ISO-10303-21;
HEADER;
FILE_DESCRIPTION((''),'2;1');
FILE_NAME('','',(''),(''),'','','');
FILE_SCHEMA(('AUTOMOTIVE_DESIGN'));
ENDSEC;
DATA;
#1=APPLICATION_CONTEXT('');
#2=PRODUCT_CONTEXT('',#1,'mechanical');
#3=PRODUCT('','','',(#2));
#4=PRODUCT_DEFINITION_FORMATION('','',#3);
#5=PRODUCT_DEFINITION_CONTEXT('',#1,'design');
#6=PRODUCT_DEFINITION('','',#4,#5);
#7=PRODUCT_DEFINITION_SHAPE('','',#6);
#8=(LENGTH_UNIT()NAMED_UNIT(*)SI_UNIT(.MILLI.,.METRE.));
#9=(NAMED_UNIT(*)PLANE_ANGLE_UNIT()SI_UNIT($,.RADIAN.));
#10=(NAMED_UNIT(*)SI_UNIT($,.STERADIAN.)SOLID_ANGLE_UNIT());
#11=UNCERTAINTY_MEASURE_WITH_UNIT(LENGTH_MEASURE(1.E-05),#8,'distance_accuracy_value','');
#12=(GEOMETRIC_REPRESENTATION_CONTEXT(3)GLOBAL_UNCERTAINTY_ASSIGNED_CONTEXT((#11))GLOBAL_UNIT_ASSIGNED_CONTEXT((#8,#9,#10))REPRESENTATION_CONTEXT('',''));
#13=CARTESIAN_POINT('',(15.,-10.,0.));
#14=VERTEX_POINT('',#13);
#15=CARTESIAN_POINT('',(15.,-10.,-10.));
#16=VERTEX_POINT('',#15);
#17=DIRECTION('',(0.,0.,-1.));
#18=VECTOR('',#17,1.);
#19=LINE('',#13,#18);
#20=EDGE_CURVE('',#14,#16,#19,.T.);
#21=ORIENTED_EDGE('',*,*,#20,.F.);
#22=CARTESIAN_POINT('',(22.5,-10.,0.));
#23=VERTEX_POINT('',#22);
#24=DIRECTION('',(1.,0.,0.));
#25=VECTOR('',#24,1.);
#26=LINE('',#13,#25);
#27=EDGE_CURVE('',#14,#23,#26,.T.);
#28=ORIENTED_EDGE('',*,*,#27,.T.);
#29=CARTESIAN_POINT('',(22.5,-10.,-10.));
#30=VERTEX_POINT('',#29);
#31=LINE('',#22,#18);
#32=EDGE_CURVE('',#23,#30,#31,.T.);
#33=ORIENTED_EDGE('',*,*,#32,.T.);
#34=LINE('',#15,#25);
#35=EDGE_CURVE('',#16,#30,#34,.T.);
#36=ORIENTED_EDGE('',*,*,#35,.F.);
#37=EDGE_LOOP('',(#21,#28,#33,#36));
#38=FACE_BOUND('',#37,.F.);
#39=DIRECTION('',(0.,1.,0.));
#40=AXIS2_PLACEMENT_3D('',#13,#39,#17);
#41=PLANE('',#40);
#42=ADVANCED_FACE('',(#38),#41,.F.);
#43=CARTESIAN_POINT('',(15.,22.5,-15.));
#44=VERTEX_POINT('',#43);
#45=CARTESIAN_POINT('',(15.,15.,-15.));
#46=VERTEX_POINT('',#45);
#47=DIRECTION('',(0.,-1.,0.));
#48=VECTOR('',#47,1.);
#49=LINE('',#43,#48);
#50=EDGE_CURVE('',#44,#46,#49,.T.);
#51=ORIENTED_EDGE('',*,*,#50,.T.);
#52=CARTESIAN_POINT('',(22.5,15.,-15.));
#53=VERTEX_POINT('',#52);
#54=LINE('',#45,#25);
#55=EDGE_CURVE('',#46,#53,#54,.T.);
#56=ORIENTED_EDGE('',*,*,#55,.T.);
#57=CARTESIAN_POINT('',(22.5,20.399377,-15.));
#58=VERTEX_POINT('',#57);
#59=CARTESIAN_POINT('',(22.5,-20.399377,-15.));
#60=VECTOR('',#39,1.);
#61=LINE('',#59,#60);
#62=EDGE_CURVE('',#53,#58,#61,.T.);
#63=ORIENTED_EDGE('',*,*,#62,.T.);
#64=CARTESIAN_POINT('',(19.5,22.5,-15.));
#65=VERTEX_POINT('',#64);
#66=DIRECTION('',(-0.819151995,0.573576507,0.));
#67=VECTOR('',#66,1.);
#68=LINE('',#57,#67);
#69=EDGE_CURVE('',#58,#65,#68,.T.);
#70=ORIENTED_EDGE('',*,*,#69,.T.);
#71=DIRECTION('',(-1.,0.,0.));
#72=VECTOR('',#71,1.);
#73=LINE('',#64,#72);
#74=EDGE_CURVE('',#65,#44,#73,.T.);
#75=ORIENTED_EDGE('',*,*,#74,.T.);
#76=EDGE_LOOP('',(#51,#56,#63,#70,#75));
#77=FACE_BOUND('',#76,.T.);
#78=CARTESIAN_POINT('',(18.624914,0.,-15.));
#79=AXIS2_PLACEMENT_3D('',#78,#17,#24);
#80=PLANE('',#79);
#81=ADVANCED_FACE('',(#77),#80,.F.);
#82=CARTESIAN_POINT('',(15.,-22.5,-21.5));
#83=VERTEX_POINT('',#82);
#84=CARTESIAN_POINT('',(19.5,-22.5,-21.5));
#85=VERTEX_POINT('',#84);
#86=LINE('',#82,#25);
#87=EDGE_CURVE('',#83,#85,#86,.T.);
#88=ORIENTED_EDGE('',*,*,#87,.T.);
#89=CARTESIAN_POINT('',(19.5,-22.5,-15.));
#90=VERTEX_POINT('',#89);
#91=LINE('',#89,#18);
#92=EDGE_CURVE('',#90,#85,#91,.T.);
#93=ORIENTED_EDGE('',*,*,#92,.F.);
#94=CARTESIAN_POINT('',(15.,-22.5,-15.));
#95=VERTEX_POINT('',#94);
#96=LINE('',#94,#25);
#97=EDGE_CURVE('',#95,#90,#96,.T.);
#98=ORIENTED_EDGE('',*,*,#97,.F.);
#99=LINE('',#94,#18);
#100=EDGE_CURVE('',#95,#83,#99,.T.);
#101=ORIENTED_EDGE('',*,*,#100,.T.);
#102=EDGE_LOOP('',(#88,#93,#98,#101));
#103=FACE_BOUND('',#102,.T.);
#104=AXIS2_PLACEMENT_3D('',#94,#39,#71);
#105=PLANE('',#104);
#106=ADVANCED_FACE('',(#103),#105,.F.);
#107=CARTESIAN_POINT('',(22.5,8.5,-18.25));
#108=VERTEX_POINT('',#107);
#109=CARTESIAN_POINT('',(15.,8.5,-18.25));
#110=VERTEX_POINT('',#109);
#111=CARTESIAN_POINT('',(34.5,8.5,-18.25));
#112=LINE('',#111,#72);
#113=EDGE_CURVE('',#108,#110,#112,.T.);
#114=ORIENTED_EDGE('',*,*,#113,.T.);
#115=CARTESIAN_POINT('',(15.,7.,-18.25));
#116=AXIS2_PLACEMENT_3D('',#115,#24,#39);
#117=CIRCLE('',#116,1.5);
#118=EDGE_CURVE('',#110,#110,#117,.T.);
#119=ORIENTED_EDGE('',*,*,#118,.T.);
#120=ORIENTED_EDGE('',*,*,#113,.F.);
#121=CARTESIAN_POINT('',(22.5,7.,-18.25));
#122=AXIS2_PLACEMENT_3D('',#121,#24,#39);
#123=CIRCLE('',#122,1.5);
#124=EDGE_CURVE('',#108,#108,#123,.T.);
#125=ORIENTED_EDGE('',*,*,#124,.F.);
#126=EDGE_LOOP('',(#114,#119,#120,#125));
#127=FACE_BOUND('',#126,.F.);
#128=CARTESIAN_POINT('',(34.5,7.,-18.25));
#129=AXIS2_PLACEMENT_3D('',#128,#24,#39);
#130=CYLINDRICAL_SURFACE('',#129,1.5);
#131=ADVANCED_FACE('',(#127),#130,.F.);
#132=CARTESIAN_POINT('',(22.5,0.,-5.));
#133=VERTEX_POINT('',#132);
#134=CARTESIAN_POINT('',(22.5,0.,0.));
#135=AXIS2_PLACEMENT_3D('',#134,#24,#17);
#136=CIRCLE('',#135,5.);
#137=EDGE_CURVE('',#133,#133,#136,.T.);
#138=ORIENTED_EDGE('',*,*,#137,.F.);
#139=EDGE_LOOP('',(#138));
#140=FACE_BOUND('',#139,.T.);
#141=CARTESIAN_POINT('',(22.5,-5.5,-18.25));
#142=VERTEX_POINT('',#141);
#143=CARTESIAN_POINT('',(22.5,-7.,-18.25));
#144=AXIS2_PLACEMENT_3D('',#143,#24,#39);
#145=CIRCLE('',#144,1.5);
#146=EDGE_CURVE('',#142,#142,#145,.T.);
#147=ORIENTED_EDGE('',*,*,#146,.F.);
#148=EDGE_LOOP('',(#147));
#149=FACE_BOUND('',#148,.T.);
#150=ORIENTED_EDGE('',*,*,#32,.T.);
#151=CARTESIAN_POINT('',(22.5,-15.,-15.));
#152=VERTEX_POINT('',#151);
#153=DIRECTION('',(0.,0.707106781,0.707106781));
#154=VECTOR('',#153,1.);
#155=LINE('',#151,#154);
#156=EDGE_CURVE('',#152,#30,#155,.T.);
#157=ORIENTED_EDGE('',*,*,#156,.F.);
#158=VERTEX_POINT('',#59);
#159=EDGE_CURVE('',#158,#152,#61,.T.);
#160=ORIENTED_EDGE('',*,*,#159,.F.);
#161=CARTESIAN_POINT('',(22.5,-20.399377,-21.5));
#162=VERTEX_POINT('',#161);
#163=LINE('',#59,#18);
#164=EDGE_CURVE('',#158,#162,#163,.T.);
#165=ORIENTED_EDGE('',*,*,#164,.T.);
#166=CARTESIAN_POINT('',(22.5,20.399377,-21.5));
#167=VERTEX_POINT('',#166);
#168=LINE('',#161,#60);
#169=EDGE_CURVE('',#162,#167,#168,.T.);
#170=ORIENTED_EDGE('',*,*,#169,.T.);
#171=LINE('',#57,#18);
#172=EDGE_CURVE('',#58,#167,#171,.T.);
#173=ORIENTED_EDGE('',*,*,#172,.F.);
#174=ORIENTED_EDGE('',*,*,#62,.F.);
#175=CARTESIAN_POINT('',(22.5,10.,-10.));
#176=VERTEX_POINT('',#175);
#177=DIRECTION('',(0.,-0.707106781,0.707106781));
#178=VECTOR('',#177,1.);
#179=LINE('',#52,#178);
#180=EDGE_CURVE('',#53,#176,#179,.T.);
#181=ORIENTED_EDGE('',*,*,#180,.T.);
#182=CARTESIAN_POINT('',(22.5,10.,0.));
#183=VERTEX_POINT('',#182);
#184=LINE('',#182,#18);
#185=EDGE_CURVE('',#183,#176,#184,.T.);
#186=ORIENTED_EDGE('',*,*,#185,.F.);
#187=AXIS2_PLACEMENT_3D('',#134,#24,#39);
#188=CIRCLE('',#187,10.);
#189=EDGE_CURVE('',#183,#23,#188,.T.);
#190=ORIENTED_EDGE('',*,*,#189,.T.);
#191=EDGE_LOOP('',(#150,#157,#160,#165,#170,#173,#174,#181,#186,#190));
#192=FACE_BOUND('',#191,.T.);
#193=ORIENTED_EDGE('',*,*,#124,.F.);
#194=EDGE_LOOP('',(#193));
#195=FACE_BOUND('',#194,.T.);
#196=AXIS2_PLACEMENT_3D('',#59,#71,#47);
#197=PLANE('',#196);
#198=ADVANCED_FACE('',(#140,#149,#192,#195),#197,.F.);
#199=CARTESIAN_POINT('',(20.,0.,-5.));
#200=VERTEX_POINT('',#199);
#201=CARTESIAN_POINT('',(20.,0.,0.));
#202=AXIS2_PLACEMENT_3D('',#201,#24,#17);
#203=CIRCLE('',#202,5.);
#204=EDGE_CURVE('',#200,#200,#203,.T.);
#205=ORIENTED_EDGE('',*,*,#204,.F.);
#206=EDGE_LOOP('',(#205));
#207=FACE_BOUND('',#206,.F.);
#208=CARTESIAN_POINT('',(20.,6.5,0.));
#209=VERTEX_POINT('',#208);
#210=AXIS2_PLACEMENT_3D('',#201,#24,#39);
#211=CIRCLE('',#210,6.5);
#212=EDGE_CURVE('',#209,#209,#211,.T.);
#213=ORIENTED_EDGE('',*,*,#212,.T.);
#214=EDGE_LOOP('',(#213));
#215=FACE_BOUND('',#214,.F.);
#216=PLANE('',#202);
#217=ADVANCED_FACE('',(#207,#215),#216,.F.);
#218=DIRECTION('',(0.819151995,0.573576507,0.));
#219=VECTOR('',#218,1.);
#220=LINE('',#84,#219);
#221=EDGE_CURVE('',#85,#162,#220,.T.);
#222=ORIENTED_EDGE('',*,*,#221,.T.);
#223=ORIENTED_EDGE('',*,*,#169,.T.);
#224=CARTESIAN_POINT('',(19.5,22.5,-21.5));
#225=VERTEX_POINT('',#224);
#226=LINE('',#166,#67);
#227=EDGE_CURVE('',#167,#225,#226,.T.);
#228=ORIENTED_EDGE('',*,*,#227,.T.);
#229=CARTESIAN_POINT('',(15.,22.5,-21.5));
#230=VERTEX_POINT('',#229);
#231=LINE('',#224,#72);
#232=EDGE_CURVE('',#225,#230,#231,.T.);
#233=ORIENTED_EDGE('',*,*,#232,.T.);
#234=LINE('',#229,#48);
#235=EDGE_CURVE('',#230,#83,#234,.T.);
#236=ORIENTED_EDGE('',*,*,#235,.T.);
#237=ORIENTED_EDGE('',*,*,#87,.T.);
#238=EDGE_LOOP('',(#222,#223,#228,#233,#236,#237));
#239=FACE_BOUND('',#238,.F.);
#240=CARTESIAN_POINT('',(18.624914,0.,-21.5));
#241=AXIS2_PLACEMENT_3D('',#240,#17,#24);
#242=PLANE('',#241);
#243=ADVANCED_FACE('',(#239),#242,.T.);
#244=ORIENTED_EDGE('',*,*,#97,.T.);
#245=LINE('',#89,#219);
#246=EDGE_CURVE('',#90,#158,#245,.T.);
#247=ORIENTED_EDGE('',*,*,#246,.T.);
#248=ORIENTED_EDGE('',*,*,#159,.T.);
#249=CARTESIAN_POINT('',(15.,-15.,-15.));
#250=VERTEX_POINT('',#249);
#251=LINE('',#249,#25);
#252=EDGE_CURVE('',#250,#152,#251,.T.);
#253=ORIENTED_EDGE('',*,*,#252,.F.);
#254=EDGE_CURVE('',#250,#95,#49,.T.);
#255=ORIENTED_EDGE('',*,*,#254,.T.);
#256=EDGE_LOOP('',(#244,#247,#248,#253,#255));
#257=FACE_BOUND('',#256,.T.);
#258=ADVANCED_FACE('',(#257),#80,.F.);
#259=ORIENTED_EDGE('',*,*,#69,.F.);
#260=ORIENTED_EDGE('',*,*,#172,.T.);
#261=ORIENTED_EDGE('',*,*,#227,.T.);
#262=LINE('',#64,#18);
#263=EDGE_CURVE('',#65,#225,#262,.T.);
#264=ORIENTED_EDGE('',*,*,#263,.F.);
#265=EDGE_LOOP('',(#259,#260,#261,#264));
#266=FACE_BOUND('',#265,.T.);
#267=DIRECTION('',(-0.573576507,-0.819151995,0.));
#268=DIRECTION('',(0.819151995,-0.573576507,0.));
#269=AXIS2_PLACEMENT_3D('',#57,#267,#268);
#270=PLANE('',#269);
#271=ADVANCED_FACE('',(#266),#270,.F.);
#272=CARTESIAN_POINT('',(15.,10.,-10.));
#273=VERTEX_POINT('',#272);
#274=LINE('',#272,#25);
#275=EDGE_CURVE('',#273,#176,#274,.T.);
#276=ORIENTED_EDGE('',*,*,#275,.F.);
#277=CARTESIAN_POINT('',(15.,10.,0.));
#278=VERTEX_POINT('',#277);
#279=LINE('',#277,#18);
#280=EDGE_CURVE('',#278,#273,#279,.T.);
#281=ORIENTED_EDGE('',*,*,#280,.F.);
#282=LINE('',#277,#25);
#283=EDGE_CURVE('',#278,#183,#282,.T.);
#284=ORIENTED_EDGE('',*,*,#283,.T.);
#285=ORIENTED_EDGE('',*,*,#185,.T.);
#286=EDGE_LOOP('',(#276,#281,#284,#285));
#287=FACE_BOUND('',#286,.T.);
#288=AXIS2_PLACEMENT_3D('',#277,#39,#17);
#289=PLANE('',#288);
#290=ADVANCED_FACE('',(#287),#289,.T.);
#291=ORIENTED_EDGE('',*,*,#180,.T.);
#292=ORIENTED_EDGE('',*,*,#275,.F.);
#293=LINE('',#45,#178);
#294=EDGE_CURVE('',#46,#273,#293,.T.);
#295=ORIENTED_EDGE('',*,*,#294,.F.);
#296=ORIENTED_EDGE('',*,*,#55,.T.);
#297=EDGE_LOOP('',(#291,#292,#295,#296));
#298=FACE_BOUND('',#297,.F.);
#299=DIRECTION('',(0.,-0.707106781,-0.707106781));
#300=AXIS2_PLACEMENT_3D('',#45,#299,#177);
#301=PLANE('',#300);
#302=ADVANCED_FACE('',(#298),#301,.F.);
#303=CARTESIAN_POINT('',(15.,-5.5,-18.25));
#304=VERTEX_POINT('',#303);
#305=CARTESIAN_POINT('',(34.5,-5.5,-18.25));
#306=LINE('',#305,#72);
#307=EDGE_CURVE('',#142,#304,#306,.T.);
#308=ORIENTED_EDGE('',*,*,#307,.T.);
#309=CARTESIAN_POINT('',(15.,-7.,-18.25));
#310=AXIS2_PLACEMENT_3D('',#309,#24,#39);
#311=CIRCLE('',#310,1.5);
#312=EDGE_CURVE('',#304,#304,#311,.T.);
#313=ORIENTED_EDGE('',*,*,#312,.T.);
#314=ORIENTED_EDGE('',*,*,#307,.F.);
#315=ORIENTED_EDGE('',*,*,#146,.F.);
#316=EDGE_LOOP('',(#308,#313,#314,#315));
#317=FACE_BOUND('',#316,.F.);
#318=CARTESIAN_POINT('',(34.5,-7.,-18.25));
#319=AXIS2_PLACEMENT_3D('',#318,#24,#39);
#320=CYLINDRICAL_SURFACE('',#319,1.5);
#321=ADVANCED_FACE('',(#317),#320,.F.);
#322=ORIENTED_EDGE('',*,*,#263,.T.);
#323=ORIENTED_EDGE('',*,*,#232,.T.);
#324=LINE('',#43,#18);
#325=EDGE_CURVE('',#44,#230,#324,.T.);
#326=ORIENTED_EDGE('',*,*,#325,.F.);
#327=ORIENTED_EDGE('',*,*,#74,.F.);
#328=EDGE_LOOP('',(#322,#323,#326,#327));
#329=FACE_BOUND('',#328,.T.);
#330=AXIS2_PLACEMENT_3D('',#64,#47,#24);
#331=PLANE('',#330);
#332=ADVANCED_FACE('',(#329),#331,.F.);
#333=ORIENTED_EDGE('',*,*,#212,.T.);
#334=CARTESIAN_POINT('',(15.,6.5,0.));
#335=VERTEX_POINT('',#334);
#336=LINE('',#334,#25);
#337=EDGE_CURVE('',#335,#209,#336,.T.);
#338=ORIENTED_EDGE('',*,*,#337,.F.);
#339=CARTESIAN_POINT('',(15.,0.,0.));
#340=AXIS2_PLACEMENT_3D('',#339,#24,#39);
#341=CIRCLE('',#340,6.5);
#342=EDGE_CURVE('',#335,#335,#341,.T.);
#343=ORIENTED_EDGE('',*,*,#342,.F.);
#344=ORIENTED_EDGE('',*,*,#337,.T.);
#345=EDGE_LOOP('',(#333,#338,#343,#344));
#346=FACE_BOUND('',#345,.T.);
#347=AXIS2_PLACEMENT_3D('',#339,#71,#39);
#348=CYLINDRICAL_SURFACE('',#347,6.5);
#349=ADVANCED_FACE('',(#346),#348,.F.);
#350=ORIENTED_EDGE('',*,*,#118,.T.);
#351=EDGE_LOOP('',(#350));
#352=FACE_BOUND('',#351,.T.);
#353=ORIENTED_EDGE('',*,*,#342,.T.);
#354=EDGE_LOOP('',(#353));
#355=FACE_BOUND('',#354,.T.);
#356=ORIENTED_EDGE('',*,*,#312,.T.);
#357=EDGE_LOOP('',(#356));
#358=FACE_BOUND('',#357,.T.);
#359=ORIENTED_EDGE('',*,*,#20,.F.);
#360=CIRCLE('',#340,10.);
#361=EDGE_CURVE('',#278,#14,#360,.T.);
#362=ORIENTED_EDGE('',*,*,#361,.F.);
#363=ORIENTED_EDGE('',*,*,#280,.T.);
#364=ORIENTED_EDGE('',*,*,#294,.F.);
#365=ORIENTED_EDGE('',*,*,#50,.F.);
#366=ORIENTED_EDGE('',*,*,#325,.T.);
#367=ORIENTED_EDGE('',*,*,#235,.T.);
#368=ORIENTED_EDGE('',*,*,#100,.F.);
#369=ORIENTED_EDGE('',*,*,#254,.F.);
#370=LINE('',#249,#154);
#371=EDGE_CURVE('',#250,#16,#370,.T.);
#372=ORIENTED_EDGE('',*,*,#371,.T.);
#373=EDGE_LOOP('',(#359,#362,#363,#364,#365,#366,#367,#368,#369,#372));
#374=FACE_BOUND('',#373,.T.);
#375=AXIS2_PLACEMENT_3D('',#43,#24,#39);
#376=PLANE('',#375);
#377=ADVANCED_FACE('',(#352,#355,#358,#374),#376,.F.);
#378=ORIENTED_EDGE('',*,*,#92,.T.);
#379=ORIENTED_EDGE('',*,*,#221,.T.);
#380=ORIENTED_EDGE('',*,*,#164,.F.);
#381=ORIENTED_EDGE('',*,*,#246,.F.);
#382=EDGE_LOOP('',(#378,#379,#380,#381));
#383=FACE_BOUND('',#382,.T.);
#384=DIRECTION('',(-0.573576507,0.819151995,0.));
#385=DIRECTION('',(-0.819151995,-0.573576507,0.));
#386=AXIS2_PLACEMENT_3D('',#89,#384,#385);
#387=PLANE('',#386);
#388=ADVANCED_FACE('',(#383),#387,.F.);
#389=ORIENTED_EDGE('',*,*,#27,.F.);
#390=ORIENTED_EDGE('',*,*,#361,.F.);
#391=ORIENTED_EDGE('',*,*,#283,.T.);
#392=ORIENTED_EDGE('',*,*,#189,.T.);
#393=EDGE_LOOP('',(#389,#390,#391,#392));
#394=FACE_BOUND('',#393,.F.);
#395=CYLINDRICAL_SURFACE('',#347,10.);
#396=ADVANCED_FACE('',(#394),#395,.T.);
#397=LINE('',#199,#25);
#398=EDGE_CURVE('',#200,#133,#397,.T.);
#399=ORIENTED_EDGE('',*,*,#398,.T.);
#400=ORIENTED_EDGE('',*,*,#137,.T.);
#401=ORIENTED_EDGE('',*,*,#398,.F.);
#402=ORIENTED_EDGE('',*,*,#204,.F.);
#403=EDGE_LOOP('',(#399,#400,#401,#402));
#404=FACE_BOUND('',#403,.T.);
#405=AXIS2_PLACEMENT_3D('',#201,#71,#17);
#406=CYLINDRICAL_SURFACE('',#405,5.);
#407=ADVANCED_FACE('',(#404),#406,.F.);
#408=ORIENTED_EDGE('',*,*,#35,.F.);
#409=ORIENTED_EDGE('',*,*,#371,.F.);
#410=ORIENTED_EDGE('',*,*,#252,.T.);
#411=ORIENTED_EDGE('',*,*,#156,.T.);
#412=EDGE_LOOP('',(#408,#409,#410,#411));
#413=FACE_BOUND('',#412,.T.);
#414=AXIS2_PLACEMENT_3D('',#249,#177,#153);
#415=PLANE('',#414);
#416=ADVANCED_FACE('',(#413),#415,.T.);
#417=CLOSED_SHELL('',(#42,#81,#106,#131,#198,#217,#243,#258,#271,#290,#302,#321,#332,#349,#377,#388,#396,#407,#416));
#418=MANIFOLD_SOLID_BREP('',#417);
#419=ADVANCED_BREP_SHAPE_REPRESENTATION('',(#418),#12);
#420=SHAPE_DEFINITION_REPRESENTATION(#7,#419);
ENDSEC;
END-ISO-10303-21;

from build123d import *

# Parameters (mm, degrees)
SKETCH_R         = 6.5
EXTRUDE_DEPTH    = 7.5
TUBE002_R        = 6.5
TUBE002_R_2      = 5
TUBE002_DEPTH    = 2.5
SKETCH023_R      = 1.5
EXTRUDE015_DEPTH = 100
EXTRUDE008_DEPTH = 6.5


with BuildPart() as extrude_body:
    # Sketch (on Tube) → Extrude (new body)
    with BuildSketch(Plane.YZ):
        with BuildLine():
            ThreePointArc((10, 0), (0, 10), (-10, 0))
            Line((-10, 0), (-10, -10))
            Line((-15, -15), (-10, -10))
            Line((-15, -15), (15, -15))
            Line((15, -15), (10, -10))
            Line((10, 0), (10, -10))
        make_face()
        Circle(SKETCH_R, mode=Mode.SUBTRACT)
    extrude(amount=EXTRUDE_DEPTH)


with BuildPart() as extrude_body_1:
    # Extrude placement: moved
    add(extrude_body.part.moved(Location((15, 0, 0))))


with BuildPart() as fusion002:
    # Tube002 → Tube002 (new body)
    with BuildSketch(Plane(origin=(20, 0, 0), x_dir=(0, 0, -1), z_dir=(1, 0, 0))):
        Circle(TUBE002_R)
        Circle(TUBE002_R_2, mode=Mode.SUBTRACT)
    extrude(amount=TUBE002_DEPTH)

    # Fusion002: union Extrude body
    add(extrude_body_1.part)


with BuildPart() as extrude015:
    # Sketch023 → Extrude015 (new body)
    with BuildSketch(Plane.YZ.offset(34.5)):
        with Locations((-7, -18.25)):
            Circle(SKETCH023_R)
        with Locations((7, -18.25)):
            Circle(SKETCH023_R)
    extrude(amount=-EXTRUDE015_DEPTH)


with BuildPart() as extrude008:
    # Sketch015 (on Face7 of Fusion001) → Extrude008 (new body)
    with BuildSketch(Plane(origin=(0, 0, -15), x_dir=(1, 0, 0), z_dir=(0, 0, -1))):
        Polygon((-22.5, 20.399377), (-22.5, -20.399377), (-19.5, -22.5), (-15, -22.5), (-15, 22.5), (-19.5, 22.5), align=None)
    extrude(amount=EXTRUDE008_DEPTH)


with BuildPart() as fusion006:
    # Part__Mirroring: instance of Extrude008
    add(extrude008.part.mirror(Plane(origin=(0, 0, 0), x_dir=(0, -1, 0), z_dir=(1, 0, 0))))

    # Cut004: cut Extrude015
    add(extrude015.part, mode=Mode.SUBTRACT)

    # Fusion006: union Fusion002
    add(fusion002.part)


solid = fusion006.part
